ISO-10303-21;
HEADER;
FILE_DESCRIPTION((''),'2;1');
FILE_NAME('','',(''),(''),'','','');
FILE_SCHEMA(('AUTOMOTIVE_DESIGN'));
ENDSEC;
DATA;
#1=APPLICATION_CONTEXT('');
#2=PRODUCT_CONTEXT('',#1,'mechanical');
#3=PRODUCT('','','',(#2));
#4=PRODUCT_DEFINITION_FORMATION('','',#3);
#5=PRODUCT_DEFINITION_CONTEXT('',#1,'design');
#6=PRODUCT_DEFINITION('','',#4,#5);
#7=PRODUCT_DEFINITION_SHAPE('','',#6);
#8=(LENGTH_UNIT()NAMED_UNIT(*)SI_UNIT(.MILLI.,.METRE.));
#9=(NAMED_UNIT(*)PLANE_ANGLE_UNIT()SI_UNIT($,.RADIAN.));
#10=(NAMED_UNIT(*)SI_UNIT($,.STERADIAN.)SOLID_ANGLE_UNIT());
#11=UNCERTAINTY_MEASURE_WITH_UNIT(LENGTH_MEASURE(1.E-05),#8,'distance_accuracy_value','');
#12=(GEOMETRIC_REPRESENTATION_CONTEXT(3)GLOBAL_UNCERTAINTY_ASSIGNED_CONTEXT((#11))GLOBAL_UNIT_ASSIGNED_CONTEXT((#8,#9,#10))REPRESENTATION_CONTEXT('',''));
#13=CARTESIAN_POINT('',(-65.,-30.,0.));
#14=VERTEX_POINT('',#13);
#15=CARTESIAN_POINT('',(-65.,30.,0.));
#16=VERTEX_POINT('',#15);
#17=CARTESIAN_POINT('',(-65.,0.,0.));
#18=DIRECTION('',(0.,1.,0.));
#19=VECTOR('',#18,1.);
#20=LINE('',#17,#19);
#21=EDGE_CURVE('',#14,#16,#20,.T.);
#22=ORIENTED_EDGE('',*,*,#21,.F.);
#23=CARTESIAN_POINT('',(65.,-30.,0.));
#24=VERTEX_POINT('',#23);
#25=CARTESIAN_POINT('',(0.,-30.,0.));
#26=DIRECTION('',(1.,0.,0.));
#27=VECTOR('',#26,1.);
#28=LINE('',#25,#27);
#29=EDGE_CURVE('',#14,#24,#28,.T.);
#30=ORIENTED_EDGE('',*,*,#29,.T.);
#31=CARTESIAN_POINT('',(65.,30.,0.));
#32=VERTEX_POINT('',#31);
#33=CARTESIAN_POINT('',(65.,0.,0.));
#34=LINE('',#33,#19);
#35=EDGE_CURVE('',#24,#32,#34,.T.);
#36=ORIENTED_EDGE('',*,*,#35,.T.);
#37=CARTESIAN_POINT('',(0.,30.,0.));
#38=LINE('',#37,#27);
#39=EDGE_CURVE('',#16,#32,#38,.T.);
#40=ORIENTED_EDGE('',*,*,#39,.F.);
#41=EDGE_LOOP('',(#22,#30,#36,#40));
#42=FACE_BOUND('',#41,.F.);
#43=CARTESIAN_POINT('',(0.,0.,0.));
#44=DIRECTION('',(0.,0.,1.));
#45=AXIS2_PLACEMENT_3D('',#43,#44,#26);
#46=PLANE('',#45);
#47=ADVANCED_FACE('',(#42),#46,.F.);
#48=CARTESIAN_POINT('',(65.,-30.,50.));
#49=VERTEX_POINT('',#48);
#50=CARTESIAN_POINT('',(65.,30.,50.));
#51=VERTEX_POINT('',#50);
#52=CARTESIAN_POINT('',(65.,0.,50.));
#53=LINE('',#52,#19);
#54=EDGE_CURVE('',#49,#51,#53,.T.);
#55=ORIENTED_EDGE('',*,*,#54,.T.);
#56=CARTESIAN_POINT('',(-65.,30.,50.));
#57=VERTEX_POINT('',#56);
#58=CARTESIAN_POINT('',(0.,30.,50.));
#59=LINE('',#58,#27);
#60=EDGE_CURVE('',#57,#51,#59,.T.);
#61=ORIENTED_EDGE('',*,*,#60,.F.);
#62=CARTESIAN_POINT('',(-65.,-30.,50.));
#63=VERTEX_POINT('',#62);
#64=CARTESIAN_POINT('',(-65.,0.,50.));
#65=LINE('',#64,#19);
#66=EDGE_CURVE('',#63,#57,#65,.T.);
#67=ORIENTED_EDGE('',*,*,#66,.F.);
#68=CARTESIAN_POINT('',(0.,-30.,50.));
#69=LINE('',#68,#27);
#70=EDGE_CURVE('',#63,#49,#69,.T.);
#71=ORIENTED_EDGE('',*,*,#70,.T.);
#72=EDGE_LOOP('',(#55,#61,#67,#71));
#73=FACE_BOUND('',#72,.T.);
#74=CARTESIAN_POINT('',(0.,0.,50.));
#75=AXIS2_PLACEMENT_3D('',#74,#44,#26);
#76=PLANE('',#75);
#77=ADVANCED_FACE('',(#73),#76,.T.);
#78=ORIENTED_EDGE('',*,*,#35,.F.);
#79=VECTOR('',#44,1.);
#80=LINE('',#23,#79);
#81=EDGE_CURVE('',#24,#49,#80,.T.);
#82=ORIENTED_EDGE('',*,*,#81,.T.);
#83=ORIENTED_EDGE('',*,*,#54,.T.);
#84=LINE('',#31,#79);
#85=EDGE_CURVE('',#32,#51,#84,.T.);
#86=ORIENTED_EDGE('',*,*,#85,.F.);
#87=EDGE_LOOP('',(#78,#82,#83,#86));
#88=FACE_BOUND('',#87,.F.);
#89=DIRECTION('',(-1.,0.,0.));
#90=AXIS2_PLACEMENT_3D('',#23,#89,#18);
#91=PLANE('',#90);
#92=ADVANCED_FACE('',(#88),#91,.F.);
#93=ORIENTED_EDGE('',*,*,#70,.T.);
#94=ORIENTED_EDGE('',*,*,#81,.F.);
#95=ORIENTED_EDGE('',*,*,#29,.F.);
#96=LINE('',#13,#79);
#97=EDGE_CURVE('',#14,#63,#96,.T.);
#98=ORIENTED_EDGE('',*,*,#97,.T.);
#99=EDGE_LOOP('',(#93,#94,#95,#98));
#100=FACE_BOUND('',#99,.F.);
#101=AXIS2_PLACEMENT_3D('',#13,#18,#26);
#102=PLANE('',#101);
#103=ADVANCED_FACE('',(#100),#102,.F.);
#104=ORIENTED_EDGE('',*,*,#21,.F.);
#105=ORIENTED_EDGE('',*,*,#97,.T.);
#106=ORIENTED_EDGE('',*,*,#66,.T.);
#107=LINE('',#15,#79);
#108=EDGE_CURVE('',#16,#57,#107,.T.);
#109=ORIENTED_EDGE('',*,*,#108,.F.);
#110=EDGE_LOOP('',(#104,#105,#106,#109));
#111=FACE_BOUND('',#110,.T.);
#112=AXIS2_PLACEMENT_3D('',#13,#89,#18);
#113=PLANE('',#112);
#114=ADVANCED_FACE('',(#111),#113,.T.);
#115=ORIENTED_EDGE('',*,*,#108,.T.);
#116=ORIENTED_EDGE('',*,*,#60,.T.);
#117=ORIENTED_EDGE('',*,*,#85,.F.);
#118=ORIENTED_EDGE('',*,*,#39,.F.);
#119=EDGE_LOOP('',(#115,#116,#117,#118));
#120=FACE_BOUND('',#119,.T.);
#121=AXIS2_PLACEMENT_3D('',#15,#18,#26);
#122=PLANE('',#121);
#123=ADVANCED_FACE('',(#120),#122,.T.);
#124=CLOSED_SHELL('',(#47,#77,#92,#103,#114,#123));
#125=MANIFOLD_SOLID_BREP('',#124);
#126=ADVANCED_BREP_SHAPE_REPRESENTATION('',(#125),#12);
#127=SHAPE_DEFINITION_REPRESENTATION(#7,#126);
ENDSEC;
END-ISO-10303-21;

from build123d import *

# Parameters (mm, degrees)
SKETCH_W      = 130
SKETCH_H      = 60
EXTRUDE_DEPTH = 50


with BuildPart() as part:
    # Sketch → Extrude (new body)
    with BuildSketch(Plane.XY):
        Rectangle(SKETCH_W, SKETCH_H)
    extrude(amount=EXTRUDE_DEPTH)


solid = part.part
